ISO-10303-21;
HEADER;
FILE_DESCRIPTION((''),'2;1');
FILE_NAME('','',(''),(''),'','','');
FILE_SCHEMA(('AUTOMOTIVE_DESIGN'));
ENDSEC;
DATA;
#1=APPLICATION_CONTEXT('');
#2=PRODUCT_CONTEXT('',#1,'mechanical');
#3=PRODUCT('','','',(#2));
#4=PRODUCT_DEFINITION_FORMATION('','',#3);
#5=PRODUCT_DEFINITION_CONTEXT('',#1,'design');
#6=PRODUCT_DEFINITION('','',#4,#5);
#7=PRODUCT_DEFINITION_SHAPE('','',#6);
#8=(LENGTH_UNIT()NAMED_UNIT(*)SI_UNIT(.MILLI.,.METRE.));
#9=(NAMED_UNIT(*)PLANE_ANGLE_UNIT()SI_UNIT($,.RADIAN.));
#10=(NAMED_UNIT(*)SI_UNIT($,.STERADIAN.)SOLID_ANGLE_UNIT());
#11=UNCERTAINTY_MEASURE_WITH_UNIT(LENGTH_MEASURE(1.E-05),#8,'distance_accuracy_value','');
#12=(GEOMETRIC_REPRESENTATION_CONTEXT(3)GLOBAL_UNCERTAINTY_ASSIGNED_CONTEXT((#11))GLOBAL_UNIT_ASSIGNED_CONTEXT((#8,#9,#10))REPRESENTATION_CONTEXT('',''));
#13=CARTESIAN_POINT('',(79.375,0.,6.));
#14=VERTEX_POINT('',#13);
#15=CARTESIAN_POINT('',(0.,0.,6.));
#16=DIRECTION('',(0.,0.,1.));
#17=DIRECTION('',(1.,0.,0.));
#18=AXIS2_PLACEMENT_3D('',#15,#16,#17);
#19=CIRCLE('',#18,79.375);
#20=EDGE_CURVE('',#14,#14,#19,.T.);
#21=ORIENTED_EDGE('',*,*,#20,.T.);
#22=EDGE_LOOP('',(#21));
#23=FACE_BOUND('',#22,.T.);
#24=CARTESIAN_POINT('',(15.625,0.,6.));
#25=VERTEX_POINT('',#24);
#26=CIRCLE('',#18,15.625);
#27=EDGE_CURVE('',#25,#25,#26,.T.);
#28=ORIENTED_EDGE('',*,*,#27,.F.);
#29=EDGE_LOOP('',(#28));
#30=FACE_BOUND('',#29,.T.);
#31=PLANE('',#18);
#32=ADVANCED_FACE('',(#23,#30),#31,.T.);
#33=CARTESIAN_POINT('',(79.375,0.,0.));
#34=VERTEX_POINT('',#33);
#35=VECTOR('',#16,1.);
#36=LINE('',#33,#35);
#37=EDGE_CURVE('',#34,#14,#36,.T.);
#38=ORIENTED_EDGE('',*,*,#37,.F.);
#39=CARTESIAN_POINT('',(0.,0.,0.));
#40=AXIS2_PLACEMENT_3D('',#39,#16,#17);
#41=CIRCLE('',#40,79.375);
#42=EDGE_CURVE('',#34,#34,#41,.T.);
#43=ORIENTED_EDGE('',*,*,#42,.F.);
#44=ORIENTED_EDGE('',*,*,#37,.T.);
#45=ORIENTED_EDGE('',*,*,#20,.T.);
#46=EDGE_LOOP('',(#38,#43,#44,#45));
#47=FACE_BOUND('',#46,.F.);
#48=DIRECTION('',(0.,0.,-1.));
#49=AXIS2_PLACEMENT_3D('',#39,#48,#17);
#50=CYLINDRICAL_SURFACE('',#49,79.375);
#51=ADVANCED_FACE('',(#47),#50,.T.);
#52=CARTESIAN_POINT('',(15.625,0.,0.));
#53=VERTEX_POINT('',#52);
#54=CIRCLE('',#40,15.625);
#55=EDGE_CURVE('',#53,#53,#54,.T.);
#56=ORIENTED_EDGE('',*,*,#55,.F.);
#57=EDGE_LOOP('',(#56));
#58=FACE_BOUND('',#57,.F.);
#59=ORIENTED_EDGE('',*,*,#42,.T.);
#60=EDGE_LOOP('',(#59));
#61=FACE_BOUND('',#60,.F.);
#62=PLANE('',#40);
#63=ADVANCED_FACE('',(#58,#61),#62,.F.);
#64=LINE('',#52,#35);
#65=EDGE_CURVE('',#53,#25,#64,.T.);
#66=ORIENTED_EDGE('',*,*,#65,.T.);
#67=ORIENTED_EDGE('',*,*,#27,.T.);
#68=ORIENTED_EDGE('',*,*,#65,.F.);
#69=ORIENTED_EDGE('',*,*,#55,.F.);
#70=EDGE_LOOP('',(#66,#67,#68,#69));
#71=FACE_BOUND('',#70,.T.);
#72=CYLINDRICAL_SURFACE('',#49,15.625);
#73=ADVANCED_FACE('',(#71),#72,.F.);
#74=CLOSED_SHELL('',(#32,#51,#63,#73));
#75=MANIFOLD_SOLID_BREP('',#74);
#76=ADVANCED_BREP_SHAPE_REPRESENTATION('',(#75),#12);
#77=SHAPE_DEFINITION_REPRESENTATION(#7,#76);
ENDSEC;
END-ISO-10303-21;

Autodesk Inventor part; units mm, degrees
ref_plane "YZ Plane" through (0, 0, 0) normal (1, 0, 0) x (0, 1, 0)
ref_plane "XZ Plane" through (0, 0, 0) normal (0, 1, 0) x (-1, 0, 0)
ref_plane "XY Plane" through (0, 0, 0) normal (0, 0, 1) x (1, 0, 0)
sketch "Sketch1" plane through (0, 0, 0) normal (0, 0, 1) x (1, 0, 0)
  circle A0 centre (0, 0) radius 79.375
  circle A1 centre (0, 0) radius 15.625
  dimension "d0" = 158.75
  dimension "d1" = 31.25
extrude "Extrusion1" add sketch "Sketch1" along normal blind 6
properties part number "spool_side" material "ABS Plastic"
